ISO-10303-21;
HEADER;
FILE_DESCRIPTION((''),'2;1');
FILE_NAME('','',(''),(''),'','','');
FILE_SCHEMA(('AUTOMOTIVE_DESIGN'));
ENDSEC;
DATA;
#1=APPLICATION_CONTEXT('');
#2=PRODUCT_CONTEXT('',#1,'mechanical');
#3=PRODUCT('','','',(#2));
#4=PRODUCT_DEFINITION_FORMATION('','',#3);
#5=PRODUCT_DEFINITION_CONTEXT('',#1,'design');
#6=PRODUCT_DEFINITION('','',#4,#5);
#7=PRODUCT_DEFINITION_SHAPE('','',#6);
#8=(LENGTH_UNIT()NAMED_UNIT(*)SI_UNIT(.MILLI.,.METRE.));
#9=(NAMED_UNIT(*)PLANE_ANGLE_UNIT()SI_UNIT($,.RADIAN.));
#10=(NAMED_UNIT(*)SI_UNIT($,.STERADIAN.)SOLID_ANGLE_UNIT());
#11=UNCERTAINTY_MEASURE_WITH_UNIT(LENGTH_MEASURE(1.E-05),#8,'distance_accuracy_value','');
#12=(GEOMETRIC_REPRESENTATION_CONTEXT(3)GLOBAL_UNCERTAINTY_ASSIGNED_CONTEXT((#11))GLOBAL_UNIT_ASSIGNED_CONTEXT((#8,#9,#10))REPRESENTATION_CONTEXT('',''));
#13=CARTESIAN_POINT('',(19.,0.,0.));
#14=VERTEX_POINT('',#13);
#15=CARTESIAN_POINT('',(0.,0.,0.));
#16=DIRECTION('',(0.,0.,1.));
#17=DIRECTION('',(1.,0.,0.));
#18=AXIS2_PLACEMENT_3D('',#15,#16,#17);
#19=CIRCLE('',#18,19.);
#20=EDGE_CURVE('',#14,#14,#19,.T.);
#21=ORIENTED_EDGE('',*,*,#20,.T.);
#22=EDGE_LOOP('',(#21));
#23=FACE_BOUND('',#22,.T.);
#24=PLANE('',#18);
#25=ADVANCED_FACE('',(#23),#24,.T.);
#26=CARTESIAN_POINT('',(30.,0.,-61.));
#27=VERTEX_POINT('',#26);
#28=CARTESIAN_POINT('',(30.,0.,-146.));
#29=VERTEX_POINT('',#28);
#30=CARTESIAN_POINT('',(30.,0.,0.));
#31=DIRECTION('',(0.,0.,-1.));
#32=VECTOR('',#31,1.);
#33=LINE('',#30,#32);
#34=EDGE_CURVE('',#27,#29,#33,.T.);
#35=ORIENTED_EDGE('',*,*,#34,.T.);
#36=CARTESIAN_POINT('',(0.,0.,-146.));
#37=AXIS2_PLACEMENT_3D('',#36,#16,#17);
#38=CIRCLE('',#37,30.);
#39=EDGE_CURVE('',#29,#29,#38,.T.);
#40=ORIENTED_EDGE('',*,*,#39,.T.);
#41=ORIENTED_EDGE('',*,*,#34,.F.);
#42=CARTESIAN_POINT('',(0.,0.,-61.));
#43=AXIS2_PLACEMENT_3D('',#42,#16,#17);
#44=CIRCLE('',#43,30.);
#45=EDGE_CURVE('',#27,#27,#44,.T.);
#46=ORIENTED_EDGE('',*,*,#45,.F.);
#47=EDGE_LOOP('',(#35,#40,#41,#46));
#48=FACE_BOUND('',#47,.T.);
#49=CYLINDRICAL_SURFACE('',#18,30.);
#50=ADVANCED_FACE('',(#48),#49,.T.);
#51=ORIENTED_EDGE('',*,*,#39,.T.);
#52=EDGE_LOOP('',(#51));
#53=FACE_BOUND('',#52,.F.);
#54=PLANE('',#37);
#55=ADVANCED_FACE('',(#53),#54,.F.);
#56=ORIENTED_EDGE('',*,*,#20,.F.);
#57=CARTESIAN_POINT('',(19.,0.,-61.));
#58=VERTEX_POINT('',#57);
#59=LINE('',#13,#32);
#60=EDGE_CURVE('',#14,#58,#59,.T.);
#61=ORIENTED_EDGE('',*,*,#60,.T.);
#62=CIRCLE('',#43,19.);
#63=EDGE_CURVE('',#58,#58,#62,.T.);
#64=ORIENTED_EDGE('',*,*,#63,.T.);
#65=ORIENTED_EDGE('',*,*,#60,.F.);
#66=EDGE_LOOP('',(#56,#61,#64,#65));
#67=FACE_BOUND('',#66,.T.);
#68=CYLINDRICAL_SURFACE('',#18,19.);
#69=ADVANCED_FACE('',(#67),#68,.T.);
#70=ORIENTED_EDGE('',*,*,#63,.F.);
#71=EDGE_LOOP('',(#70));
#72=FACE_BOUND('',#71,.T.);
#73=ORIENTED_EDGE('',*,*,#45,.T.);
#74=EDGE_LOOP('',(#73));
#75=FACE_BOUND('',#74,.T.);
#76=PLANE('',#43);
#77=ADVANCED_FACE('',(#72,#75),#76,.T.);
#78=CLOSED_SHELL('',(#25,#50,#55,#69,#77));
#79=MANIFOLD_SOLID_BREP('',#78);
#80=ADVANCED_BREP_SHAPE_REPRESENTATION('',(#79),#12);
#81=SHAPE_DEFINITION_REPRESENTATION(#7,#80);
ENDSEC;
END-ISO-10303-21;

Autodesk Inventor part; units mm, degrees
ref_plane "YZ Plane" through (0, 0, 0) normal (1, 0, 0) x (0, 1, 0)
ref_plane "XZ Plane" through (0, 0, 0) normal (0, 1, 0) x (-1, 0, 0)
ref_plane "XY Plane" through (0, 0, 0) normal (0, 0, 1) x (1, 0, 0)
sketch "Boceto1" plane through (0, 0, 0) normal (0, 0, 1) x (1, 0, 0)
  circle A0 centre (0, 0) radius 30
  dimension "d0" = 60
extrude "Extrusión1" add sketch "Boceto1" against normal blind 146
sketch "Boceto2" plane through (0, 0, 0) normal (0, 0, 1) x (1, 0, 0)
  circle A0 centre (0, 0) radius 19
  circle A1 centre (0, 0) radius 30 projected
  dimension "d3" = 38
extrude "Extrusión2" cut sketch "Boceto2" against normal blind 61
properties part number "Bombilla"
